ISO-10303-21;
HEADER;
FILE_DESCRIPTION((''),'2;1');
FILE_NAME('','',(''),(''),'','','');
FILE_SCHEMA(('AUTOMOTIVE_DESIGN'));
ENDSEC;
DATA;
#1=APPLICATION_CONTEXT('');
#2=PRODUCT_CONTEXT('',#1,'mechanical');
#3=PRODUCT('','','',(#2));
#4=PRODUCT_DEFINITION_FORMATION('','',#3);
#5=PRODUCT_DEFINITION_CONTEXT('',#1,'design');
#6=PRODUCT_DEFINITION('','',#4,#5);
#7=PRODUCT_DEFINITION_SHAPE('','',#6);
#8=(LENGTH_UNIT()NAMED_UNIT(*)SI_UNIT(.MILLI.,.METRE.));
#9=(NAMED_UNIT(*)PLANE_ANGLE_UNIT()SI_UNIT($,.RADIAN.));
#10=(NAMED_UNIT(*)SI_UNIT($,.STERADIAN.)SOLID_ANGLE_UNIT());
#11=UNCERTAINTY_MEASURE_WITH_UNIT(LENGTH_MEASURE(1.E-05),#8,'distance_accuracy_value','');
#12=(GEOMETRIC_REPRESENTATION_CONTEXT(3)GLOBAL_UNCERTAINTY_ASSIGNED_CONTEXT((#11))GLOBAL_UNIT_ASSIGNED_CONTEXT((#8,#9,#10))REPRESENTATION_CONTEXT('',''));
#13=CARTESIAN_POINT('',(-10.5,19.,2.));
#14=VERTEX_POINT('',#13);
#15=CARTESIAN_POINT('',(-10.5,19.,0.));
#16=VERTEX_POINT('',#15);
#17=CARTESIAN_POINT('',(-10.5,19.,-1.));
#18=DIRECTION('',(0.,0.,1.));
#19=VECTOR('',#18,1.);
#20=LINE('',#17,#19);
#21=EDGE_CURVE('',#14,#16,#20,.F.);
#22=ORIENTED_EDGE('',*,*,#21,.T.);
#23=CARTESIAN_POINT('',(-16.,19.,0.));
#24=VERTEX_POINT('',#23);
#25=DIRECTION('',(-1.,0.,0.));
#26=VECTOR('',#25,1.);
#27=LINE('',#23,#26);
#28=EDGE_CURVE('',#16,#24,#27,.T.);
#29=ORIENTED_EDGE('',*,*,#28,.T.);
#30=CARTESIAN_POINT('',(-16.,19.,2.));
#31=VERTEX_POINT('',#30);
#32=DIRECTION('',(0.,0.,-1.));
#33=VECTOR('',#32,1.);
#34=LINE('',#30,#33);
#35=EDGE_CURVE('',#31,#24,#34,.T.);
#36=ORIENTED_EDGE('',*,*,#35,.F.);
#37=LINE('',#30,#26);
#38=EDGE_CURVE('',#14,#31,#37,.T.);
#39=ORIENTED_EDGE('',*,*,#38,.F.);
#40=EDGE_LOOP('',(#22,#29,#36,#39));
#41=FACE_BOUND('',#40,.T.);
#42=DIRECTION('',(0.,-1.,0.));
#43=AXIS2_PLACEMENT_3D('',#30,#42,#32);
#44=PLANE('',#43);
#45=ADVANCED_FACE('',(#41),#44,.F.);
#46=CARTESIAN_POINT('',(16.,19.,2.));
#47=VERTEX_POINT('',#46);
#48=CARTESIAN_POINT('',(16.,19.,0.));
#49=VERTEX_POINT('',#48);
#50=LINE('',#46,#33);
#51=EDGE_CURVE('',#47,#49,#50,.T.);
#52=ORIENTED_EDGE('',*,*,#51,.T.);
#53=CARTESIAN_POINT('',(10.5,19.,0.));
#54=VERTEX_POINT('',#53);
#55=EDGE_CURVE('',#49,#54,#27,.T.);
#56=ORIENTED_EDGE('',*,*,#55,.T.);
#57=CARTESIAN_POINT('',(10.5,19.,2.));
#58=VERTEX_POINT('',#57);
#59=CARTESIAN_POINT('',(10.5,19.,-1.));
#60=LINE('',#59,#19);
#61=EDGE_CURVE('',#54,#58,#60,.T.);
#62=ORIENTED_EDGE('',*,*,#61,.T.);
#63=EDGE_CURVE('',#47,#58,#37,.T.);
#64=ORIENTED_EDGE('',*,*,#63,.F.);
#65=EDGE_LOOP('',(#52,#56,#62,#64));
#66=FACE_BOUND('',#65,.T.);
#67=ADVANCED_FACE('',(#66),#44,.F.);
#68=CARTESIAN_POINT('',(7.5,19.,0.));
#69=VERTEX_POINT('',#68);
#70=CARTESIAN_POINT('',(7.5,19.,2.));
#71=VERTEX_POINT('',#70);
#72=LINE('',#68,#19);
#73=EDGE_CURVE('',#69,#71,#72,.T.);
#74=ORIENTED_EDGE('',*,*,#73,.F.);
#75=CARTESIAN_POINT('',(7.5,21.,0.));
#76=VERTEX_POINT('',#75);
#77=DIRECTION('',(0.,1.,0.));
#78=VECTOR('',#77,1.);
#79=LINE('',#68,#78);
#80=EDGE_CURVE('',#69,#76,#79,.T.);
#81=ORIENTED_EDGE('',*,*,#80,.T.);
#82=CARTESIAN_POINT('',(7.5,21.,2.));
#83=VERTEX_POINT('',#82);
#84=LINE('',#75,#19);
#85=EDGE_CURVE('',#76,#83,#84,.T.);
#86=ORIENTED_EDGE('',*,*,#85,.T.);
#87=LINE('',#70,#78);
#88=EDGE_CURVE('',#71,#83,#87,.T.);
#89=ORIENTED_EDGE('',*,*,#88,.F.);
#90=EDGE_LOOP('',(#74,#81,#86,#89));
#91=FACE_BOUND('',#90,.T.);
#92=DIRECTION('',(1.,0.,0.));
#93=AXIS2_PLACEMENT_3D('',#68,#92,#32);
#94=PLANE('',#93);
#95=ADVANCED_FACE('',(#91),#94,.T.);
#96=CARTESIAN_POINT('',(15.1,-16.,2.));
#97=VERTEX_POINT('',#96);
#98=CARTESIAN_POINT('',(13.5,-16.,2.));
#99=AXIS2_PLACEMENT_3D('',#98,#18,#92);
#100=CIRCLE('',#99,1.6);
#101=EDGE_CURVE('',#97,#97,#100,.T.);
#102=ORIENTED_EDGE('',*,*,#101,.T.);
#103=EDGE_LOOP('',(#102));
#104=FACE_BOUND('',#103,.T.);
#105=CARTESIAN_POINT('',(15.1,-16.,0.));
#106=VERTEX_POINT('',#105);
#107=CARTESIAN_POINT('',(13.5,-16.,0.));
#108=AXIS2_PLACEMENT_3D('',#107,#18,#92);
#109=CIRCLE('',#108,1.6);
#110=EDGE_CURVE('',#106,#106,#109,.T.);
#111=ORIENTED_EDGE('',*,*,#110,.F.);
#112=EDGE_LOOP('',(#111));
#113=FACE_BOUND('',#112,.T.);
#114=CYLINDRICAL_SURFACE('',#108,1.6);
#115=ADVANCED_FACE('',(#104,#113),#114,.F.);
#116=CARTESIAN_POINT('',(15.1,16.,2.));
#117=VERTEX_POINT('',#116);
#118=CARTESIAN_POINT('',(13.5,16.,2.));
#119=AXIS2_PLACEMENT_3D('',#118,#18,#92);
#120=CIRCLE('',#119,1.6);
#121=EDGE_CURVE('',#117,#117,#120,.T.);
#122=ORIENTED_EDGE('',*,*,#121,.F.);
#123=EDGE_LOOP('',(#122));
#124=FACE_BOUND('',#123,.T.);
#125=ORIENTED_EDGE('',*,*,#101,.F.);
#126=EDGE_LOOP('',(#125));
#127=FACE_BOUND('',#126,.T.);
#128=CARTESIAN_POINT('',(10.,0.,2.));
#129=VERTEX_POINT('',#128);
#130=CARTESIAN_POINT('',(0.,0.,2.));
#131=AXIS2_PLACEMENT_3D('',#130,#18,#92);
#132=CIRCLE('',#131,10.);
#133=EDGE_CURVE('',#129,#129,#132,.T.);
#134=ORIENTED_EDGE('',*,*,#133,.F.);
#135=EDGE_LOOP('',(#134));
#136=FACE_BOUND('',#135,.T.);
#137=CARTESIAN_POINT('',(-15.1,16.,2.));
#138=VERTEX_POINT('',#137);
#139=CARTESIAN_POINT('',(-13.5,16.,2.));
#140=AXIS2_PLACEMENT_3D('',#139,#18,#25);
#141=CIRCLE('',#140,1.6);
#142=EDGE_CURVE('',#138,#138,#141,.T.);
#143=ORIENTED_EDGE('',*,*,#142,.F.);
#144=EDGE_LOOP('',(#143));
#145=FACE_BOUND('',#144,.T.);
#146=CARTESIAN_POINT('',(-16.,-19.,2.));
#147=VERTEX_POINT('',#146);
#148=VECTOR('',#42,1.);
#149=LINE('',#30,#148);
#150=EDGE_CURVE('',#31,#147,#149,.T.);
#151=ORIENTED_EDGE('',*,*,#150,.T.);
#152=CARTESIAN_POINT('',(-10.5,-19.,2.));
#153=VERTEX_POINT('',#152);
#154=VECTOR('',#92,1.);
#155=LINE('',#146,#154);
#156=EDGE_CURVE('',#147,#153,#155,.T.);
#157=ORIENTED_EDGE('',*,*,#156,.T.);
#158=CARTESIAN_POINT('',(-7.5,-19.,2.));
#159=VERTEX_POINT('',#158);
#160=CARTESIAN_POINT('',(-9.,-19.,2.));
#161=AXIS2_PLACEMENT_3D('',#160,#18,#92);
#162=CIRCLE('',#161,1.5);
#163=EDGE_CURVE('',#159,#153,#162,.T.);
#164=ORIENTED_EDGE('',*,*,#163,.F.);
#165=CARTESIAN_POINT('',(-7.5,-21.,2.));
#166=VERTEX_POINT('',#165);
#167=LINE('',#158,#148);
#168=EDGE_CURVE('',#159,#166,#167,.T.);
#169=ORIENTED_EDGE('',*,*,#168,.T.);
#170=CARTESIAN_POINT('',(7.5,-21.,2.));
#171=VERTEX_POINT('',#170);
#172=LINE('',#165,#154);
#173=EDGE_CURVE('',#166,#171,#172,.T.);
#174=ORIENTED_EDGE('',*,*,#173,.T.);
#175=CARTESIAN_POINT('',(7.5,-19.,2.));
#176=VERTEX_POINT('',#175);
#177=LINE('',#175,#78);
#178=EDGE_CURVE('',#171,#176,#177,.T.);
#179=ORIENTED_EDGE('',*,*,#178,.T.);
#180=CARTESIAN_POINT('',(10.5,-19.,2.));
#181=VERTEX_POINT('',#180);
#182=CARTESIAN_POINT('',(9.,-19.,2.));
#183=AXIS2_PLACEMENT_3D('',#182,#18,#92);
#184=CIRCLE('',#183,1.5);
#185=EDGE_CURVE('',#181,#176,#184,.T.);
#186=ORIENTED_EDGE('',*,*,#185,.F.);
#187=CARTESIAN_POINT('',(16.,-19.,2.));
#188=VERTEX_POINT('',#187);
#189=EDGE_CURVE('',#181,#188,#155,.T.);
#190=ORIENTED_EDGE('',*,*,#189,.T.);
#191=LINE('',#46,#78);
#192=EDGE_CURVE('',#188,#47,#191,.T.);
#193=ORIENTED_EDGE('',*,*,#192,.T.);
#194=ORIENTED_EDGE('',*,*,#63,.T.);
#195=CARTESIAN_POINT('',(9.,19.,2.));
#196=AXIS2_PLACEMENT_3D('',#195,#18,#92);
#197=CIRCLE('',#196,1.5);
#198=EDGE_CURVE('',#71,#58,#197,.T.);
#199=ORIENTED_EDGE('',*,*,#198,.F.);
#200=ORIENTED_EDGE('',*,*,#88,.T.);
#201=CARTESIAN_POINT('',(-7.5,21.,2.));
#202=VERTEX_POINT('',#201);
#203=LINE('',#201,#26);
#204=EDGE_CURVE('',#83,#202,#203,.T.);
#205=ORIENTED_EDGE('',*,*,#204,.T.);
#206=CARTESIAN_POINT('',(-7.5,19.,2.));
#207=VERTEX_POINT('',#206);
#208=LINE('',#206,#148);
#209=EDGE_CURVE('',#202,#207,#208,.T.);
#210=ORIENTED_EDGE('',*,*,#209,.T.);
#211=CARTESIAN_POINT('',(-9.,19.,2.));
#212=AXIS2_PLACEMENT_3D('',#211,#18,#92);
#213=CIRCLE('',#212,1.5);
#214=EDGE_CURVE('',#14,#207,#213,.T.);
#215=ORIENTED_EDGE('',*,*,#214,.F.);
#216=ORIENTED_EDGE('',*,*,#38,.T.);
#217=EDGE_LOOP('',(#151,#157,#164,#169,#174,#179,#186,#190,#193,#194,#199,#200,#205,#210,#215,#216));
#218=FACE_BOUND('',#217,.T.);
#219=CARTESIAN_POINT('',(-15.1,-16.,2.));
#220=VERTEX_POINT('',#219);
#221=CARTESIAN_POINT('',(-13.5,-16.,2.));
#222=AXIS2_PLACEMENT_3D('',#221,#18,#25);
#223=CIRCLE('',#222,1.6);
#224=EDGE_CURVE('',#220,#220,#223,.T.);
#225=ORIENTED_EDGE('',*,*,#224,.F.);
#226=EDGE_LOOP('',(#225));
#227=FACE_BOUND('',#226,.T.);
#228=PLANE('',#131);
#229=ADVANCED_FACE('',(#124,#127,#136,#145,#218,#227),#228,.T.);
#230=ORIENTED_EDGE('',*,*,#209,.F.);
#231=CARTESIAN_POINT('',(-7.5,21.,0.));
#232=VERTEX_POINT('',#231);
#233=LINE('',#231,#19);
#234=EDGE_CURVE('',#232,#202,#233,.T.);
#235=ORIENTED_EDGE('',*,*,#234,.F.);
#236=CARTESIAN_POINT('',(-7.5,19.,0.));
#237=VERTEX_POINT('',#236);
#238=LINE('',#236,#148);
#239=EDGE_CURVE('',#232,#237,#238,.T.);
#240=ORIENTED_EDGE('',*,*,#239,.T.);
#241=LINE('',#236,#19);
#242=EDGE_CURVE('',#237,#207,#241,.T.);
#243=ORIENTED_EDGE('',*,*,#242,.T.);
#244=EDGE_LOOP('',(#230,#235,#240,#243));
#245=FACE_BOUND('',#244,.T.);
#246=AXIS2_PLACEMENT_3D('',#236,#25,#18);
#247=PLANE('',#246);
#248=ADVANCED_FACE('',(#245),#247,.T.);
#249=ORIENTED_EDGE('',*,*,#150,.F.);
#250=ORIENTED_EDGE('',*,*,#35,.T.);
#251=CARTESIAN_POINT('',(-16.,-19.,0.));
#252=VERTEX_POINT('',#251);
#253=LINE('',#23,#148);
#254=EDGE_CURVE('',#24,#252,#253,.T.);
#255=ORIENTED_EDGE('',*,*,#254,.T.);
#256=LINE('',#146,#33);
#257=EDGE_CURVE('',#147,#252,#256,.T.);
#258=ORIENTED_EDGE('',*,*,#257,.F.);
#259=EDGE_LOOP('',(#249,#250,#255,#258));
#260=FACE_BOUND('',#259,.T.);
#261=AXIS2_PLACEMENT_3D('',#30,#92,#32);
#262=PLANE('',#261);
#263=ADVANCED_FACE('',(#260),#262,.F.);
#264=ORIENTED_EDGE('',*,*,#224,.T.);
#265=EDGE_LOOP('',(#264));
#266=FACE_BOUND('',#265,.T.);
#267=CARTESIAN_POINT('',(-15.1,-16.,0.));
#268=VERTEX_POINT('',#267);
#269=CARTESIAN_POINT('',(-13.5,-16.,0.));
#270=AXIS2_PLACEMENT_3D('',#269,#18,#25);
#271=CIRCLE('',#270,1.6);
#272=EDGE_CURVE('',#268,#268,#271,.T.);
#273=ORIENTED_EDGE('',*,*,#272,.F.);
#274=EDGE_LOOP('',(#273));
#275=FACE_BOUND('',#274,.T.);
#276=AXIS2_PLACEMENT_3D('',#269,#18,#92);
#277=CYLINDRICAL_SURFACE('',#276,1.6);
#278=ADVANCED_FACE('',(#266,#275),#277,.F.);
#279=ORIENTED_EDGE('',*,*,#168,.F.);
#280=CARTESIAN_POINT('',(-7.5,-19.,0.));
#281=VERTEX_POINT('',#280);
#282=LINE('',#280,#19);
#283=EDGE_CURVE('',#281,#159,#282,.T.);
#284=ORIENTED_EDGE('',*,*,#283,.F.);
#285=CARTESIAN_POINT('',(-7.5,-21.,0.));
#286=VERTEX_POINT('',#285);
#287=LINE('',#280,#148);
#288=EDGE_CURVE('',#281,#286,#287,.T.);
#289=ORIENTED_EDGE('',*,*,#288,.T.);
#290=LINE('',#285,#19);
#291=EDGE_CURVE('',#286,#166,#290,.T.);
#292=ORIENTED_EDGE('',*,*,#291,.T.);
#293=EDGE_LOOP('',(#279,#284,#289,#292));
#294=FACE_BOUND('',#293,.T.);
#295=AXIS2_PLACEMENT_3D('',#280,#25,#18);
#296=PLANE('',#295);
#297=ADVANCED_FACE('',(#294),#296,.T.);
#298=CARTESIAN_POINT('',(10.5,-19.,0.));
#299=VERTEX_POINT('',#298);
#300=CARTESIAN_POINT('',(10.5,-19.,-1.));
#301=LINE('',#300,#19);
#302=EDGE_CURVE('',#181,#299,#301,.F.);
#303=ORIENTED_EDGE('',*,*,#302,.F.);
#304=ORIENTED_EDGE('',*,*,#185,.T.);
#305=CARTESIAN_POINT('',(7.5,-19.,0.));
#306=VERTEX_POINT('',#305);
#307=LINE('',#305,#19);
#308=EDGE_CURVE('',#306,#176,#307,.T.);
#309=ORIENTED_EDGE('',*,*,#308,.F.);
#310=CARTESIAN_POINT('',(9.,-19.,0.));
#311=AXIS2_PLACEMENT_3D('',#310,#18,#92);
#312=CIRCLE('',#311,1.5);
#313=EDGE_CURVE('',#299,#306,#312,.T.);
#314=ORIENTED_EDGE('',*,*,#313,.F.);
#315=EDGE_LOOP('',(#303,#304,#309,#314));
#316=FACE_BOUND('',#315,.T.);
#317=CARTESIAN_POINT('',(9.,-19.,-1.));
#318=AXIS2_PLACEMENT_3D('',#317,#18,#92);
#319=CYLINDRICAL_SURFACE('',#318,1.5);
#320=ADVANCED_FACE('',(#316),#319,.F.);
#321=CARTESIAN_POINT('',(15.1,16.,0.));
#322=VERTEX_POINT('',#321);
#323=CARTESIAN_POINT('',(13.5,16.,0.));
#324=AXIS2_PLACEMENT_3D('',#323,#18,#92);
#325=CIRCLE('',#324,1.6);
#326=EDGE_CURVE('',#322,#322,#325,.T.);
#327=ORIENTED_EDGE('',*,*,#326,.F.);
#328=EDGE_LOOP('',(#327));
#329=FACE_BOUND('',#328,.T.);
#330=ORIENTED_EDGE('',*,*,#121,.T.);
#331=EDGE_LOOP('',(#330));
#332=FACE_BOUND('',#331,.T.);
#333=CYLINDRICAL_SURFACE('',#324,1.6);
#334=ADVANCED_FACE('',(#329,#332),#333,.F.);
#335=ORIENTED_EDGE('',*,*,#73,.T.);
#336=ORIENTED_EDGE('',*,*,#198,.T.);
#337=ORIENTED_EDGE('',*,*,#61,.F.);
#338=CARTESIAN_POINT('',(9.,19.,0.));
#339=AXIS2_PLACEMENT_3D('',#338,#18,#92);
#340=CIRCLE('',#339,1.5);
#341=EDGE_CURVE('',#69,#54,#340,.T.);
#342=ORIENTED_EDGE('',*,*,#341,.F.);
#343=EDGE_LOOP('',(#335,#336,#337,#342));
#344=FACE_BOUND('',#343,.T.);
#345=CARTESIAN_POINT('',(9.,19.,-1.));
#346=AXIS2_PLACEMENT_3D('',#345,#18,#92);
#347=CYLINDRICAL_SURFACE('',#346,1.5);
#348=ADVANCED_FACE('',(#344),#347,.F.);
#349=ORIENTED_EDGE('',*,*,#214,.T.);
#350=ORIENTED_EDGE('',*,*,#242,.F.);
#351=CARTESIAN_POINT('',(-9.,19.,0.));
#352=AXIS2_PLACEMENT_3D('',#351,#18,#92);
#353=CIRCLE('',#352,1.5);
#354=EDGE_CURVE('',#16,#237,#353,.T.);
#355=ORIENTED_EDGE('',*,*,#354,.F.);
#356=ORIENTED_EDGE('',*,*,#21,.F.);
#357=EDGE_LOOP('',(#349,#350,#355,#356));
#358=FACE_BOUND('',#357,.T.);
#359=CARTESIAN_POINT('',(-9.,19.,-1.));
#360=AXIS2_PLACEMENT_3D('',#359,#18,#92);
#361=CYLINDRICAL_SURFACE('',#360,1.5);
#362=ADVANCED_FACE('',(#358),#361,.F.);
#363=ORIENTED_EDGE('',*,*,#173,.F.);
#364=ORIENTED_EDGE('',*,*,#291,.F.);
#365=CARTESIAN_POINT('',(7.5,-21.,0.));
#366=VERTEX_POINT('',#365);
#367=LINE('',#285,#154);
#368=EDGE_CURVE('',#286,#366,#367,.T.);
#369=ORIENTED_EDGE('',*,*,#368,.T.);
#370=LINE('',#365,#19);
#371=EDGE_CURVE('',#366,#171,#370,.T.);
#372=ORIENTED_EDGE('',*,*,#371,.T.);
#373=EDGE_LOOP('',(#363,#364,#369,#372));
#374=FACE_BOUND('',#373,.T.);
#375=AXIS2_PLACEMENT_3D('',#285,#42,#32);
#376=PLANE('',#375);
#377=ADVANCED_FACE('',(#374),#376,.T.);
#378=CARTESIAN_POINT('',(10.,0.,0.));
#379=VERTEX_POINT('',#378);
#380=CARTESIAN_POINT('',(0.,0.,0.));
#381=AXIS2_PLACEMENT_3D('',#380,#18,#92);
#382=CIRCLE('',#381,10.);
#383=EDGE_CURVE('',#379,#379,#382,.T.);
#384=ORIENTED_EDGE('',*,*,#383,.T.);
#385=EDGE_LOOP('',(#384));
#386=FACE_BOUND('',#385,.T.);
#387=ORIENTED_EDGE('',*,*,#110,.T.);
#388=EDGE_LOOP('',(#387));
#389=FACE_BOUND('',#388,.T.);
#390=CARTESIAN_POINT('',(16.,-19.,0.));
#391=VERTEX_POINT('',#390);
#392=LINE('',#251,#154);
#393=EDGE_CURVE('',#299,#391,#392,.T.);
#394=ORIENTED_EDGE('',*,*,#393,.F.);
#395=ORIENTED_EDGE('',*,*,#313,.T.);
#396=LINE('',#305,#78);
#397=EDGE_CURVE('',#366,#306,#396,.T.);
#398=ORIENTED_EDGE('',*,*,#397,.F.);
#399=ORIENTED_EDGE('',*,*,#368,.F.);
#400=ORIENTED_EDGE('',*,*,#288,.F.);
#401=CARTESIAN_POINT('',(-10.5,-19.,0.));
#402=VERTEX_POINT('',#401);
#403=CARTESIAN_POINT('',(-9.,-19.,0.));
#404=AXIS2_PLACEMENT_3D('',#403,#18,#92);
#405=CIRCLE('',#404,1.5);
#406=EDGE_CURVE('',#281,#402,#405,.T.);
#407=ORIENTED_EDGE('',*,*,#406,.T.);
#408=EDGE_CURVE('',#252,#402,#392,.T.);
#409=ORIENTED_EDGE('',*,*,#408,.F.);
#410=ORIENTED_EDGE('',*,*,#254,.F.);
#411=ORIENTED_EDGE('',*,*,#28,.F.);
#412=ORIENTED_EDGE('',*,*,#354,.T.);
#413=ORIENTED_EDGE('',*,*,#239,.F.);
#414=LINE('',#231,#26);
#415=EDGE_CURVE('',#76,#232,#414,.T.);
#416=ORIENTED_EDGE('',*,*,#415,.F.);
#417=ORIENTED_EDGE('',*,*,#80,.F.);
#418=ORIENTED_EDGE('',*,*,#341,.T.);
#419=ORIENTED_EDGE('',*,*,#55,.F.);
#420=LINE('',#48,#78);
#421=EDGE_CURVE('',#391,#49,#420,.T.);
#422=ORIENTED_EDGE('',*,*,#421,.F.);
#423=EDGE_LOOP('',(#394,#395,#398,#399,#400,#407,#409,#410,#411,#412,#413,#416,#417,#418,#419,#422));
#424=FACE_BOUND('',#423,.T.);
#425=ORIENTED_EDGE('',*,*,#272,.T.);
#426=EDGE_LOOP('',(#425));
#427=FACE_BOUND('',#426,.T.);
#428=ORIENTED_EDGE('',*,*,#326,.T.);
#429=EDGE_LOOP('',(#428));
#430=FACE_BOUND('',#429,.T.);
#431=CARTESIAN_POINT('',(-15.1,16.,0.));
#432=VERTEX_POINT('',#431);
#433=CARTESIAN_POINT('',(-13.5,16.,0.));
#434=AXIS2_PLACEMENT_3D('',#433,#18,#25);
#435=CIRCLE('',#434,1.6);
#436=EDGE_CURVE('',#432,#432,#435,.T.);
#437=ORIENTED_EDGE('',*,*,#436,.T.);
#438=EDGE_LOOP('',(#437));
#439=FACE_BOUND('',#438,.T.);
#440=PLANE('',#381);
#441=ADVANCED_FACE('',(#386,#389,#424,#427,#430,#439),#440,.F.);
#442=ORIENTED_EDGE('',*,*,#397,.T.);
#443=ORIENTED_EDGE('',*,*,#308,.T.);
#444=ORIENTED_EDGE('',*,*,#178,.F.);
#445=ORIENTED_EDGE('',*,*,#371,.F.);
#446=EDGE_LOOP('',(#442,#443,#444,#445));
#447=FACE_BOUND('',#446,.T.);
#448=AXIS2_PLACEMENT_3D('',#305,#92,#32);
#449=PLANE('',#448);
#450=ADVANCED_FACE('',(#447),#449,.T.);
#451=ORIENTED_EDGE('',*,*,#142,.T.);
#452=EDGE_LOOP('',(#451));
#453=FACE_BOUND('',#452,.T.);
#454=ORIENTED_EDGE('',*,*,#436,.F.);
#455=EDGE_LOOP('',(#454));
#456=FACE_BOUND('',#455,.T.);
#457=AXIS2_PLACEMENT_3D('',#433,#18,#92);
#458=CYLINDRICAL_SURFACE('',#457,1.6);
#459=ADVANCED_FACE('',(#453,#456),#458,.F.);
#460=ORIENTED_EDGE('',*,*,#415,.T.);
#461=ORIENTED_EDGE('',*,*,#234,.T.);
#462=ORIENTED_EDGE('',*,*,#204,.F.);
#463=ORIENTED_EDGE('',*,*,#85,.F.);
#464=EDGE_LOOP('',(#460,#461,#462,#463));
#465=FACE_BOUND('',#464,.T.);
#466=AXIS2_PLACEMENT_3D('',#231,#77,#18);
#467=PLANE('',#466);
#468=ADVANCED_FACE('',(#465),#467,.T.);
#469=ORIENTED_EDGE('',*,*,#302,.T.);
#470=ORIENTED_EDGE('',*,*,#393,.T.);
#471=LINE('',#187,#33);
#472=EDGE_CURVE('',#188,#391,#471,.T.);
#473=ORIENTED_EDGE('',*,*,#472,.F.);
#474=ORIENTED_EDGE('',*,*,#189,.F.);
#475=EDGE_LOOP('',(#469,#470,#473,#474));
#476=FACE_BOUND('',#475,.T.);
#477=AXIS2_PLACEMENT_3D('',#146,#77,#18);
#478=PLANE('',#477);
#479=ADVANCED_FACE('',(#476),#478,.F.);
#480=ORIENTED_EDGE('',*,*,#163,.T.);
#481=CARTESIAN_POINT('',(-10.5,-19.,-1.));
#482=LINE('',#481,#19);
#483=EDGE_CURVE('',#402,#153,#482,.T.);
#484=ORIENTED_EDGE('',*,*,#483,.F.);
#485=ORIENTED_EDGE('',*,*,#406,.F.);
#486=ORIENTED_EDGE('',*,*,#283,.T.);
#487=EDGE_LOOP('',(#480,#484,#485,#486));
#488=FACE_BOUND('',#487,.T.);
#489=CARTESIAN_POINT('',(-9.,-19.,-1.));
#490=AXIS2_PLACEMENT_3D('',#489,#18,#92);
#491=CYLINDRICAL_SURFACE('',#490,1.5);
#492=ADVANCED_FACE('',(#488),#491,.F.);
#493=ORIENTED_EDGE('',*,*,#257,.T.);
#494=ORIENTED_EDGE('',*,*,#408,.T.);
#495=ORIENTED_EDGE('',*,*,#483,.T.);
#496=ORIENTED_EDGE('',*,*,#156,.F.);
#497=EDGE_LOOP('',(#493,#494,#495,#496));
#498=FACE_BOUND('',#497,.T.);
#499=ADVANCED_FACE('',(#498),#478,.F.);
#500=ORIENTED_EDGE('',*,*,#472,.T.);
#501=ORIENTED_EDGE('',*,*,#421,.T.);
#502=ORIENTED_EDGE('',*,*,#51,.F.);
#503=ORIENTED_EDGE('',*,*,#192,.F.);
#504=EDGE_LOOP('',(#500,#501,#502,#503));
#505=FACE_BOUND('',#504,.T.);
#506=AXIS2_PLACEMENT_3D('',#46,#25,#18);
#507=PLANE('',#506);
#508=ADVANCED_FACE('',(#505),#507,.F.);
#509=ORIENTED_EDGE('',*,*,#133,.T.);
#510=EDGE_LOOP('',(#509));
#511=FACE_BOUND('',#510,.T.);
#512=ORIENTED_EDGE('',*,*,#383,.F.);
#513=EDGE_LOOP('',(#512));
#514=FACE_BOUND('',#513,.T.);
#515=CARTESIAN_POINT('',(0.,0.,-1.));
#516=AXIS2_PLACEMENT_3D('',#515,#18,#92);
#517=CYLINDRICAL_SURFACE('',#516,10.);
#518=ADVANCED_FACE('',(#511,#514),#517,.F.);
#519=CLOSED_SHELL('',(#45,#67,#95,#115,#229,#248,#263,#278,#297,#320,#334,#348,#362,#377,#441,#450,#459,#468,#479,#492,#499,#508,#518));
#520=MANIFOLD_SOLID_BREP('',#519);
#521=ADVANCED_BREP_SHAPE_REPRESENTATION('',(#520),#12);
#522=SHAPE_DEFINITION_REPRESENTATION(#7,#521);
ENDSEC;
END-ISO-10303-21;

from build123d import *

# Parameters (mm, degrees)
SKETCH_1_W          = 32
SKETCH_1_H          = 38
EXTRUDE_1_DEPTH     = 2
SKETCH_2_R          = 10
CUT_EXTRUDE_1_DEPTH = 3
SKETCH_3_W          = 15
SKETCH_3_H          = 2
EXTRUDE_2_DEPTH     = 2
SKETCH_4_R          = 1.5
CUT_EXTRUDE_2_DEPTH = 3
SKETCH_5_R          = 1.6
CUT_EXTRUDE_3_DEPTH = 27.47640459


with BuildPart() as part:
    # 草图1 → 凸台-拉伸1 (new body)
    with BuildSketch(Plane.XY):
        Rectangle(SKETCH_1_W, SKETCH_1_H)
    extrude(amount=EXTRUDE_1_DEPTH)

    # 草图2 → 切除-拉伸1 (cut)
    with BuildSketch(Plane.XY.offset(2)):
        Circle(SKETCH_2_R)
    extrude(amount=-CUT_EXTRUDE_1_DEPTH, mode=Mode.SUBTRACT)

    # 草图3 → 凸台-拉伸2 (add)
    with BuildSketch(Plane.XY.offset(2)):
        with Locations((0, 20)):
            Rectangle(SKETCH_3_W, SKETCH_3_H)
        with Locations((0, -20)):
            Rectangle(SKETCH_3_W, SKETCH_3_H)
    extrude(amount=-EXTRUDE_2_DEPTH)

    # 草图4 → 切除-拉伸2 (cut)
    with BuildSketch(Plane.XY.offset(2)):
        with Locations((-9, 19)):
            Circle(SKETCH_4_R)
        with Locations((-9, -19)):
            Circle(SKETCH_4_R)
        with Locations((9, 19)):
            Circle(SKETCH_4_R)
        with Locations((9, -19)):
            Circle(SKETCH_4_R)
    extrude(amount=-CUT_EXTRUDE_2_DEPTH, mode=Mode.SUBTRACT)

    # 草图5 → 切除-拉伸3 (cut, through all)
    with BuildSketch(Plane.XY.offset(2)):
        with Locations((13.5, 16)):
            Circle(SKETCH_5_R)
        with Locations((13.5, -16)):
            Circle(SKETCH_5_R)
        with Locations(Location((-13.5, -16, 0), (0, 0, 180))):
            Circle(SKETCH_5_R)
        with Locations(Location((-13.5, 16, 0), (0, 0, 180))):
            Circle(SKETCH_5_R)
    extrude(amount=-CUT_EXTRUDE_3_DEPTH, mode=Mode.SUBTRACT)


solid = part.part
